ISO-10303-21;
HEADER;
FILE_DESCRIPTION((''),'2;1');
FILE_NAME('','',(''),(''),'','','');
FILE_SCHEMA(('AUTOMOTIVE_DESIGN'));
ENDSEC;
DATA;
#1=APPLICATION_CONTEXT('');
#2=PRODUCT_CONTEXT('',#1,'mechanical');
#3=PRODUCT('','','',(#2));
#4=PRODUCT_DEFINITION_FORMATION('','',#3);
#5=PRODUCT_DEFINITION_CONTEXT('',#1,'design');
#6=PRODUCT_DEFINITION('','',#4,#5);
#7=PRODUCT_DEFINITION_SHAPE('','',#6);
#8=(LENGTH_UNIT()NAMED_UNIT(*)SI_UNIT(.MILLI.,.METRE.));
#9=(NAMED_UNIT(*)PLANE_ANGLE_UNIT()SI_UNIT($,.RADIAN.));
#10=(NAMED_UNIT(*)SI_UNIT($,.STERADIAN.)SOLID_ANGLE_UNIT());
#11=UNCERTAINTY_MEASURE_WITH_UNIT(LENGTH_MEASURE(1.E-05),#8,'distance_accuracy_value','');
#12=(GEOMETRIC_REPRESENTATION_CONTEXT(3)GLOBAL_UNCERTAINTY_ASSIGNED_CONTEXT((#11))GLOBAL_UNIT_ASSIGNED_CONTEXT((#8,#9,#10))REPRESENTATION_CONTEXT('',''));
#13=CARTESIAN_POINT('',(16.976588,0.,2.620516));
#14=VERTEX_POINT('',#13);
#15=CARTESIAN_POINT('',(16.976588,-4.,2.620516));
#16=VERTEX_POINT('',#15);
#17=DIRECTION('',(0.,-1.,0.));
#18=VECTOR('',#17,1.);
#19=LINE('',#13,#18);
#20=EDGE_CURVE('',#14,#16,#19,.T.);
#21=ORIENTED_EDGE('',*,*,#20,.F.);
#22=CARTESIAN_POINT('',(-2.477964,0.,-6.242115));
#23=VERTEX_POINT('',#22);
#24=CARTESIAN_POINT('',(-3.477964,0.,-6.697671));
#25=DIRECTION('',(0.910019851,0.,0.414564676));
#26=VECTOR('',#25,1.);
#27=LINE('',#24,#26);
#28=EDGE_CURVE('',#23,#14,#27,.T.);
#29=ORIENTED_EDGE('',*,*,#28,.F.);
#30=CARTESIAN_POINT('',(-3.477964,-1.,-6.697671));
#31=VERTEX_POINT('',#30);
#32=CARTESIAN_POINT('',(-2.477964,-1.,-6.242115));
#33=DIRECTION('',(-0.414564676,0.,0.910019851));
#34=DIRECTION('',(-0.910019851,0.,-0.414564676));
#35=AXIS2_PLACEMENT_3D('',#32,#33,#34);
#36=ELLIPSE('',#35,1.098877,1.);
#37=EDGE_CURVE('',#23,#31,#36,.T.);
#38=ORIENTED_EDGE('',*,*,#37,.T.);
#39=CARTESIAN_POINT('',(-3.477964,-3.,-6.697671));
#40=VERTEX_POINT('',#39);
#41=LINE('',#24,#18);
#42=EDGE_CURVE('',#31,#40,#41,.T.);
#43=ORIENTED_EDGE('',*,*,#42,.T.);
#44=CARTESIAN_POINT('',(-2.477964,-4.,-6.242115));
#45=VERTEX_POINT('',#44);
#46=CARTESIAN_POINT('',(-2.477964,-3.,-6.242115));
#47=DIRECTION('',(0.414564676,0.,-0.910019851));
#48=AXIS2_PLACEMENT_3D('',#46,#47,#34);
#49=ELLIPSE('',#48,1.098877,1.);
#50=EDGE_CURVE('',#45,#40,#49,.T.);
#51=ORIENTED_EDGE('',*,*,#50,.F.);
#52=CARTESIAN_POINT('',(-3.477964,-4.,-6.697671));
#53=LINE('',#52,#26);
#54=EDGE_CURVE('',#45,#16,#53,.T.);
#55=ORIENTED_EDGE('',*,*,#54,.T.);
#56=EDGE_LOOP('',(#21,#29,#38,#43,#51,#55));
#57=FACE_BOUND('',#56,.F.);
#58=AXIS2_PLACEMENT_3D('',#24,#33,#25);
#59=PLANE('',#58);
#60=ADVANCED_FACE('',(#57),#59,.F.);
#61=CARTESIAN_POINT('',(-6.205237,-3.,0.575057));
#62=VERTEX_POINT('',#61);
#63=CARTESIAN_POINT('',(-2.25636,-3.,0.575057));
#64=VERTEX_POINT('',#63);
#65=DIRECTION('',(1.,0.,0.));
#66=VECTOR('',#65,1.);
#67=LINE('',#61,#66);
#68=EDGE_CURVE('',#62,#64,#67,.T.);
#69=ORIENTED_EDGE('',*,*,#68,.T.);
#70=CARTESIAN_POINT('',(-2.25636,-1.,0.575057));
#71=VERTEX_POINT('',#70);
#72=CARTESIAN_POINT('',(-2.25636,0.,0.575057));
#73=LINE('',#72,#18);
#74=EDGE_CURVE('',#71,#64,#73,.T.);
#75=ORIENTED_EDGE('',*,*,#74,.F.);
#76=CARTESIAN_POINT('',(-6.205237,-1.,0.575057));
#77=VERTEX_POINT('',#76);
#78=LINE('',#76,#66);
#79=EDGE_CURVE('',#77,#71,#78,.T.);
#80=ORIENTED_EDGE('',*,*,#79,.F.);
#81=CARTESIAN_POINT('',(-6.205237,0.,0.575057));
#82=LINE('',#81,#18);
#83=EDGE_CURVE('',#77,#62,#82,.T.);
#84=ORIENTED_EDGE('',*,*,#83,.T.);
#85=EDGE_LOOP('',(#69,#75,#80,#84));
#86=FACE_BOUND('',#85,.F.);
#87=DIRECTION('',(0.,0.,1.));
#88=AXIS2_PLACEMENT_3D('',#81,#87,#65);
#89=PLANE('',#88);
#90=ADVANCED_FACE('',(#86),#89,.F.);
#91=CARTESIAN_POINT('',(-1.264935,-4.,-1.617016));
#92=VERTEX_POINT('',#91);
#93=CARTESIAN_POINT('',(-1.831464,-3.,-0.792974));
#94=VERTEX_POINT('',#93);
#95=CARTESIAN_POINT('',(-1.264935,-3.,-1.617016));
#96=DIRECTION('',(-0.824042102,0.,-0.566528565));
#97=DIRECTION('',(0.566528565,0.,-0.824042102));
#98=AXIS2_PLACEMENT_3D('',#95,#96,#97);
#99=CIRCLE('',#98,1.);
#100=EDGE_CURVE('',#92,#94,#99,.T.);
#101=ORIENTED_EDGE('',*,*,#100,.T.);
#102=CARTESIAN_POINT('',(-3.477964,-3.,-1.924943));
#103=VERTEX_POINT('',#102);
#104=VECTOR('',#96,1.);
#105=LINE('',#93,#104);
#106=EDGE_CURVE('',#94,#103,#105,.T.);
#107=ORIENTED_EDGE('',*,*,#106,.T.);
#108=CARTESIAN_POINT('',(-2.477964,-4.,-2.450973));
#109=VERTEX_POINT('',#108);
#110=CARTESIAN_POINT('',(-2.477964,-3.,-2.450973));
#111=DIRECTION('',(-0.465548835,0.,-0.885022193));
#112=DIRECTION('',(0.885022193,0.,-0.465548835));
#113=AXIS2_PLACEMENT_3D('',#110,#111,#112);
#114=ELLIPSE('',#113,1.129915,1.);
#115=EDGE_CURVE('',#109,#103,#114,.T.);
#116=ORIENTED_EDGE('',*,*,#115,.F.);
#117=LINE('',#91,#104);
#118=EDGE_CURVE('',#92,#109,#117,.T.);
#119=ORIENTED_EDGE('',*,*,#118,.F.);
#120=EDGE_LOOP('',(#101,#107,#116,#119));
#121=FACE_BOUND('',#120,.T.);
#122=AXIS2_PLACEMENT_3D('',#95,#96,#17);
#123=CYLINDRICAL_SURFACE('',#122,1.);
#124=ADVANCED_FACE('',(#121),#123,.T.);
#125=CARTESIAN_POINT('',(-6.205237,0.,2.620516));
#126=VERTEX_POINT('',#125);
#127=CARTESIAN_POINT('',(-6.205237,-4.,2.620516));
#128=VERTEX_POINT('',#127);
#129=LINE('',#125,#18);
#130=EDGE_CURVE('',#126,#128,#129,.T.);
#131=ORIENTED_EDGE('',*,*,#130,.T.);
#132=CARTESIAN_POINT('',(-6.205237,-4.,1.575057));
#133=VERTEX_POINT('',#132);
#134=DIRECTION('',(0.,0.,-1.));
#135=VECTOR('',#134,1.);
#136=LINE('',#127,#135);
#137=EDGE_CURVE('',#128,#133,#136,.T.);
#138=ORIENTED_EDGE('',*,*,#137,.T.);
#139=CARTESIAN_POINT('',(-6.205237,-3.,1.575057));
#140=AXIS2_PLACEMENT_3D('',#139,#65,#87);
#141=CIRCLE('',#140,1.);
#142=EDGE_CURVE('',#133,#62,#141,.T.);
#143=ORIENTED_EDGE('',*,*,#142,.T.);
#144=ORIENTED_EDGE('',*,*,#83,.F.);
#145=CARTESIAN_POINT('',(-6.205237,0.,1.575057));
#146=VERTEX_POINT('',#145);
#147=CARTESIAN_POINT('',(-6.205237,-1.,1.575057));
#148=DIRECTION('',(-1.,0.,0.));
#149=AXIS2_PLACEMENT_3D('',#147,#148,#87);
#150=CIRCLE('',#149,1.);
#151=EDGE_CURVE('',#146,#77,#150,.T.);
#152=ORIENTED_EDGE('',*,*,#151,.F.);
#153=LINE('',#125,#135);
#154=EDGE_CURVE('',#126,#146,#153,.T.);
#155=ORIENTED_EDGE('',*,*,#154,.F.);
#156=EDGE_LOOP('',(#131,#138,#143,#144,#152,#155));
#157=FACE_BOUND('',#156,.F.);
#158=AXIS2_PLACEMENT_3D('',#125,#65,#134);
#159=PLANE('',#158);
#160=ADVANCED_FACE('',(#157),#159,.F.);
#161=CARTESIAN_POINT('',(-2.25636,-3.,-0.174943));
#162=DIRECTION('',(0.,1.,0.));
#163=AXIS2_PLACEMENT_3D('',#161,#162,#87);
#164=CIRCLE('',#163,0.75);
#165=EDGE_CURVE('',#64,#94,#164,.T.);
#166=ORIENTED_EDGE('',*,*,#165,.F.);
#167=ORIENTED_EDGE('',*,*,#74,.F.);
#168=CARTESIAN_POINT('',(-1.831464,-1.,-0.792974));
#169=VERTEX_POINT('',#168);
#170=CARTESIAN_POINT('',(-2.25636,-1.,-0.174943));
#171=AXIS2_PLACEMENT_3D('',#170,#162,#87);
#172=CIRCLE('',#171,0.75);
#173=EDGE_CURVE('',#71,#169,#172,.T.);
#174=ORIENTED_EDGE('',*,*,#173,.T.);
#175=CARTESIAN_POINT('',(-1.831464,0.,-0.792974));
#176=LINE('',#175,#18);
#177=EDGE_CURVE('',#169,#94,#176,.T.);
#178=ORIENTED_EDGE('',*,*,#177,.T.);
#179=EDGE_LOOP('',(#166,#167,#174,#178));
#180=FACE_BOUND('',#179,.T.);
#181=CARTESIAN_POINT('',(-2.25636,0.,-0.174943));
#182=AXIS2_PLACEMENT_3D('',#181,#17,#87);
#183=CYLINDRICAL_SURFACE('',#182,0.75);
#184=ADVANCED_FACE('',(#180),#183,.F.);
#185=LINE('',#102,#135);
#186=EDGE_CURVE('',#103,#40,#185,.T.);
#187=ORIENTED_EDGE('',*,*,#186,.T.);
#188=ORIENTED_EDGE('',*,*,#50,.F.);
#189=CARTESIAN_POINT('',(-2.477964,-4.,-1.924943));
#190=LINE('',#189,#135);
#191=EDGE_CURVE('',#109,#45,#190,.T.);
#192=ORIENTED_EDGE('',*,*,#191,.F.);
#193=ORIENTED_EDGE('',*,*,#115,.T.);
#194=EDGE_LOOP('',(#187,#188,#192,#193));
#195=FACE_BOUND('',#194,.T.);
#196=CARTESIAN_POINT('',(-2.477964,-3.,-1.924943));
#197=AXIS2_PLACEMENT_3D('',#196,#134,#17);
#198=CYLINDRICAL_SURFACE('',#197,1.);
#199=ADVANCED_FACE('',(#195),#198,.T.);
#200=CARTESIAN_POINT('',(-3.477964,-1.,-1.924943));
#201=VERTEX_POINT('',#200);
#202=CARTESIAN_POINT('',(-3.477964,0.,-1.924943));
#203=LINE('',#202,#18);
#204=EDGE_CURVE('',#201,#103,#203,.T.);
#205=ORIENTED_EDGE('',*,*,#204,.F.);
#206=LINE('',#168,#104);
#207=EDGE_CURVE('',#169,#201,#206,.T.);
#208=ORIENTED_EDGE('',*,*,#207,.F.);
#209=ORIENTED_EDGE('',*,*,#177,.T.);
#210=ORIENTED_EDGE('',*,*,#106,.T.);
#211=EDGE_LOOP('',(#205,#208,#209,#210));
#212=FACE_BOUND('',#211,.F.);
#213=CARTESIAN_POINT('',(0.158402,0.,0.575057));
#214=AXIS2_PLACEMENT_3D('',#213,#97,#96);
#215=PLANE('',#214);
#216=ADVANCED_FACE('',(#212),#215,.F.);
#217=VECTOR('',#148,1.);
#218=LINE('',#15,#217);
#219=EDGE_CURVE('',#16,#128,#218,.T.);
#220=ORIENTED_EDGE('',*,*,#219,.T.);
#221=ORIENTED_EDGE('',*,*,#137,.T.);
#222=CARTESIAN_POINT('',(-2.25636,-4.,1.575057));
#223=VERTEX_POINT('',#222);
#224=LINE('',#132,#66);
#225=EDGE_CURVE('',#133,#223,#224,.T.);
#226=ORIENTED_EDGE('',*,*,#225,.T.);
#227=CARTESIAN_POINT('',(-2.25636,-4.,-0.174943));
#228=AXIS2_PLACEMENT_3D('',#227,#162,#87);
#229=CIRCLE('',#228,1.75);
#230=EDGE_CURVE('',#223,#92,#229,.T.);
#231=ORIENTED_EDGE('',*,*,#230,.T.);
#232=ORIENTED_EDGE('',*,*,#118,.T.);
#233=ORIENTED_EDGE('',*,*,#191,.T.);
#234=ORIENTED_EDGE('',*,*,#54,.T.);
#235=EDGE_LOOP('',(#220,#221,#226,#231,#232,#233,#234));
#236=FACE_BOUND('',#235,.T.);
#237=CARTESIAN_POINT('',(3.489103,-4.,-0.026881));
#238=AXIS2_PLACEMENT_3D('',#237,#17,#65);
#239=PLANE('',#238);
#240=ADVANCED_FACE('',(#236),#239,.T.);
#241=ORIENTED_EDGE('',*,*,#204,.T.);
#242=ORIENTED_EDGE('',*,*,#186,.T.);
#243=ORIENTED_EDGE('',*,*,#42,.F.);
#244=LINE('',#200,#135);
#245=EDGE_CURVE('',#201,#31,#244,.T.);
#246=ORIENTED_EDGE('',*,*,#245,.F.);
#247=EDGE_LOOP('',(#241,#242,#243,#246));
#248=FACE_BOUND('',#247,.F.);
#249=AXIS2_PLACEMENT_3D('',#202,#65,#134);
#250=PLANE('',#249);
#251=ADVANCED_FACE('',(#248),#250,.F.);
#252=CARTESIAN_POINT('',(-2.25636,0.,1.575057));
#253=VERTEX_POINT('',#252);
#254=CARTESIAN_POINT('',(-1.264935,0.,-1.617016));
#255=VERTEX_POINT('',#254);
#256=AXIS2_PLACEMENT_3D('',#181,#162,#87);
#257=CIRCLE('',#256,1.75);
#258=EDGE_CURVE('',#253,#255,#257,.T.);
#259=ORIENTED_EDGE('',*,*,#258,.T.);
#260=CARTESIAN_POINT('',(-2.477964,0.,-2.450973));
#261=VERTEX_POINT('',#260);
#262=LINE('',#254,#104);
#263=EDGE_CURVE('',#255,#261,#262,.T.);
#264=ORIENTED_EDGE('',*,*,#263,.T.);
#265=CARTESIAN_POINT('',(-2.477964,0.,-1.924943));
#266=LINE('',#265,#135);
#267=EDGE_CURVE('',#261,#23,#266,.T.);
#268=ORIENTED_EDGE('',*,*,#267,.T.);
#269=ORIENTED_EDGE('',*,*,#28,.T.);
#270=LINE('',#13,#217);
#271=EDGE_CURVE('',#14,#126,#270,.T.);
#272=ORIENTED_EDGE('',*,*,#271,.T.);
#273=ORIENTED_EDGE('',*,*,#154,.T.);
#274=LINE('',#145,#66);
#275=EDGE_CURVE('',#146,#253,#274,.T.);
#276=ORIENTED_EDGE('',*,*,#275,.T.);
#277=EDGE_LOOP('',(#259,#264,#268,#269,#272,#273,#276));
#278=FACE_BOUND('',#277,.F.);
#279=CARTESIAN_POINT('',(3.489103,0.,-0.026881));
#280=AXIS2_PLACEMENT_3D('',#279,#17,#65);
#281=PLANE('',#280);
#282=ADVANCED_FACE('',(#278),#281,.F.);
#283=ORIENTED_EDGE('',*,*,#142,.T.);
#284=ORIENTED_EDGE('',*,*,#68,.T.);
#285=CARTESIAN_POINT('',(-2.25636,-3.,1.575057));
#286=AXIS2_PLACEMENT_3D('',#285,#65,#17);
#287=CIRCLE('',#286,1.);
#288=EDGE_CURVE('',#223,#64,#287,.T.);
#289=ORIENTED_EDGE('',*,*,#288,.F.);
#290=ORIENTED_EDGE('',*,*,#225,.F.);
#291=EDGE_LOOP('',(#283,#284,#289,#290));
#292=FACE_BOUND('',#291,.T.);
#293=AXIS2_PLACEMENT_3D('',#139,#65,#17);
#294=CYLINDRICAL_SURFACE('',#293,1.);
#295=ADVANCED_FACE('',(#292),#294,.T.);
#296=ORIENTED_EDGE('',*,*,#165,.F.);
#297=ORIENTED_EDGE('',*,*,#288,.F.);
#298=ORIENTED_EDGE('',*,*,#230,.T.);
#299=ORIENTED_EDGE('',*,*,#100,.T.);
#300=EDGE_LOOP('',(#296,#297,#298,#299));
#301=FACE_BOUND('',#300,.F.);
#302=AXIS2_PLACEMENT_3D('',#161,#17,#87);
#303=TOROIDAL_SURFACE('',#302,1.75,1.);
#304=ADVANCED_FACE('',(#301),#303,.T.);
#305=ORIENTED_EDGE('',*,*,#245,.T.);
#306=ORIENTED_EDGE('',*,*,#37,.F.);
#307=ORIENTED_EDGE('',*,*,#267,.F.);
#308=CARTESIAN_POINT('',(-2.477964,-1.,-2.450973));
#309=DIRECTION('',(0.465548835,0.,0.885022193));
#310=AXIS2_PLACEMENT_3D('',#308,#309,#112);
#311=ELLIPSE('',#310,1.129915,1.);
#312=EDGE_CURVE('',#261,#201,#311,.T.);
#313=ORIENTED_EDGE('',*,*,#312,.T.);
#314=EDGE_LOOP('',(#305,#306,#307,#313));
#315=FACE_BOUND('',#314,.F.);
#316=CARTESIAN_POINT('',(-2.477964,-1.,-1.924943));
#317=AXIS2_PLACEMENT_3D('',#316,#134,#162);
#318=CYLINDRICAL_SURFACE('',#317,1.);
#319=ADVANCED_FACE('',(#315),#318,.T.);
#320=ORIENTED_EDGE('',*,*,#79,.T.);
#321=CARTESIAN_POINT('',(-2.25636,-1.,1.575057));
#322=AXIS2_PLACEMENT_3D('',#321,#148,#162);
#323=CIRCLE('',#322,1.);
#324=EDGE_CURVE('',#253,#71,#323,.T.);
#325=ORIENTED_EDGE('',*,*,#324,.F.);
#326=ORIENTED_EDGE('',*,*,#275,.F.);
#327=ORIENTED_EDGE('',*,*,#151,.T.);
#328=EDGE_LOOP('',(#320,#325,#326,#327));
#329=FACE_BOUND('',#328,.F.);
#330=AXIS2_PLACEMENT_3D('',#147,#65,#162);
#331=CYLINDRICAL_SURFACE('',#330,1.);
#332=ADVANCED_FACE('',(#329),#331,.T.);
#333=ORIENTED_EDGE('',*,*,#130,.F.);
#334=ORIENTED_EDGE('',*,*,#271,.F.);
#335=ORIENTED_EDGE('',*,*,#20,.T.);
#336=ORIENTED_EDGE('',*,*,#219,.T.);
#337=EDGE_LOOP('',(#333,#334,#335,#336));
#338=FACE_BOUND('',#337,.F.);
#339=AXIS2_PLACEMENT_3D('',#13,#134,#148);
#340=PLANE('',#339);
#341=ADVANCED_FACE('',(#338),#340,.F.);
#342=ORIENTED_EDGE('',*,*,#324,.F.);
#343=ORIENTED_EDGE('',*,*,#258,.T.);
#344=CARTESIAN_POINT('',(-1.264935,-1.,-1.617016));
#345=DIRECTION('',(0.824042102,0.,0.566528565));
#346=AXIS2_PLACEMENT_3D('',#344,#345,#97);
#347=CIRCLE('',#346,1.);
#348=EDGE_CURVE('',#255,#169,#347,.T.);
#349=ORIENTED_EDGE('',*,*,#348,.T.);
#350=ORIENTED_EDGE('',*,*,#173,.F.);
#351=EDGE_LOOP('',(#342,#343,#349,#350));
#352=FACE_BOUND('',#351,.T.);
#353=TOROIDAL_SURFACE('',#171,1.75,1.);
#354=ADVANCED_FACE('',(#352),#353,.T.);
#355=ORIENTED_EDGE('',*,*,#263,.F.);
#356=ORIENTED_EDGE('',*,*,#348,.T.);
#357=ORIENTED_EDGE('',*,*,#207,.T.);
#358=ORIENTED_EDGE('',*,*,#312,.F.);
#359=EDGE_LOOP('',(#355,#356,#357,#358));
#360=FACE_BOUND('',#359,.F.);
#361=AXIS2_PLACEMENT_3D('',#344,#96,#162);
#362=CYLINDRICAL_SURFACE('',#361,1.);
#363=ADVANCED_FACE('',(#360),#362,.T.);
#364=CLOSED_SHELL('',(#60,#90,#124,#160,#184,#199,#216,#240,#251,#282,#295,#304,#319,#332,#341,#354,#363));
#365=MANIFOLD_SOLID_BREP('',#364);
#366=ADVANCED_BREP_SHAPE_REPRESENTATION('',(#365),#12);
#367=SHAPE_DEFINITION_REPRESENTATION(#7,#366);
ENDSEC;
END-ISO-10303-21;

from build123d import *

# Parameters (mm, degrees)
F1_DEPTH = 4
F2_R     = 0.75
F3_R     = 1


with BuildPart() as f1:
    # F0 (on Front) → F1 (new body)
    with BuildSketch(Plane.XZ):
        Polygon((-3.4779643061, -6.6976709247), (16.9765876419, 2.6205155937), (-6.205236799, 2.6205155937), (-6.205236799, 0.575057485), (0.1584017682, 0.575057485), (-3.4779643061, -1.924942515), align=None)
    extrude(amount=F1_DEPTH)

    # F2
    f2_edges = [f1.edges().sort_by_distance(p)[0] for p in [
        (0.158402, -2, 0.575057),
    ]]
    fillet(f2_edges, radius=F2_R)

    # F3
    f3_edges = [f1.edges().sort_by_distance(p)[0] for p in [
        (-3.477964, -4, -4.311307),
        (-2.654714, -4, -1.358958),
        (-3.477964, 0, -4.311307),
        (-1.540112, 0, 0.047517),
    ]]
    fillet(f3_edges, radius=F3_R)


solid = f1.part
